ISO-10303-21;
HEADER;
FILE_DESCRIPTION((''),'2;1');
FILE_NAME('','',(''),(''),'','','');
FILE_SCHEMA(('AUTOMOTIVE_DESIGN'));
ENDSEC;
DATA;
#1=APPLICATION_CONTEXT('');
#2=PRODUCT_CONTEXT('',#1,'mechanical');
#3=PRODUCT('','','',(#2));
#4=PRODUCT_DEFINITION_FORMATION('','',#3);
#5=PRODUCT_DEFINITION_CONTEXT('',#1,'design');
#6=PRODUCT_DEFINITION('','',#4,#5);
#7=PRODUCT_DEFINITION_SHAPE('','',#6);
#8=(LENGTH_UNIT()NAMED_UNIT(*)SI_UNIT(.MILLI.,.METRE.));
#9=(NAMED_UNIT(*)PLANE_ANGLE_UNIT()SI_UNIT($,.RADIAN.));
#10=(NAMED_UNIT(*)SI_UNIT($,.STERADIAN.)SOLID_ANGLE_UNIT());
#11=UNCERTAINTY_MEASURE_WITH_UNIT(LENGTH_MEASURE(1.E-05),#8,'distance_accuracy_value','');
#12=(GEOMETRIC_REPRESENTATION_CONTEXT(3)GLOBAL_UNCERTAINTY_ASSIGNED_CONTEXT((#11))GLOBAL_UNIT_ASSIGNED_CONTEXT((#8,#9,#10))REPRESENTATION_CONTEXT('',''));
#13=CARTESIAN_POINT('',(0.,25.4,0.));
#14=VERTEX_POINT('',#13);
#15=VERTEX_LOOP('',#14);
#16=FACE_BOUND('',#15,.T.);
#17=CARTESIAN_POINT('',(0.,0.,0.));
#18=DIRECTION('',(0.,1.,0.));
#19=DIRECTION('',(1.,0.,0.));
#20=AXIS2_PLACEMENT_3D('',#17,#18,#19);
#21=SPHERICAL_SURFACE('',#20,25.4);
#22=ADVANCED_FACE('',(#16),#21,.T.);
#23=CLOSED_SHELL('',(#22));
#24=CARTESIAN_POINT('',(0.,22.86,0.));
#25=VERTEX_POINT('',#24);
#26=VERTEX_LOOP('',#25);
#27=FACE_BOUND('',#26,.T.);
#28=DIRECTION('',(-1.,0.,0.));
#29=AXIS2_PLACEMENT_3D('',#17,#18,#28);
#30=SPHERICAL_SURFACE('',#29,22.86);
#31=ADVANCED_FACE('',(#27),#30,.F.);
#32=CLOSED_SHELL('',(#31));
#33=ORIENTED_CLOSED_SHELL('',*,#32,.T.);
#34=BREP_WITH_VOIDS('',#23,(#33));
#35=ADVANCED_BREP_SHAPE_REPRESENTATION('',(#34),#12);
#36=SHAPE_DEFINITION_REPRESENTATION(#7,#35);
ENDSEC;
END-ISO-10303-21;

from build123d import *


with BuildPart() as part:
    # Sketch1 → Revolve7 (revolve)
    with BuildSketch(Plane.XY):
        with BuildLine():
            Line((0, 25.4), (0, 22.86))
            ThreePointArc((0, 22.86), (-22.86, 0), (0, -22.86))
            Line((0, -22.86), (0, -25.4))
            ThreePointArc((0, -25.4), (-25.4, 0), (0, 25.4))
        make_face()
    revolve(axis=Axis((0, 25.4, 0), (0, -1, 0)))


solid = part.part
